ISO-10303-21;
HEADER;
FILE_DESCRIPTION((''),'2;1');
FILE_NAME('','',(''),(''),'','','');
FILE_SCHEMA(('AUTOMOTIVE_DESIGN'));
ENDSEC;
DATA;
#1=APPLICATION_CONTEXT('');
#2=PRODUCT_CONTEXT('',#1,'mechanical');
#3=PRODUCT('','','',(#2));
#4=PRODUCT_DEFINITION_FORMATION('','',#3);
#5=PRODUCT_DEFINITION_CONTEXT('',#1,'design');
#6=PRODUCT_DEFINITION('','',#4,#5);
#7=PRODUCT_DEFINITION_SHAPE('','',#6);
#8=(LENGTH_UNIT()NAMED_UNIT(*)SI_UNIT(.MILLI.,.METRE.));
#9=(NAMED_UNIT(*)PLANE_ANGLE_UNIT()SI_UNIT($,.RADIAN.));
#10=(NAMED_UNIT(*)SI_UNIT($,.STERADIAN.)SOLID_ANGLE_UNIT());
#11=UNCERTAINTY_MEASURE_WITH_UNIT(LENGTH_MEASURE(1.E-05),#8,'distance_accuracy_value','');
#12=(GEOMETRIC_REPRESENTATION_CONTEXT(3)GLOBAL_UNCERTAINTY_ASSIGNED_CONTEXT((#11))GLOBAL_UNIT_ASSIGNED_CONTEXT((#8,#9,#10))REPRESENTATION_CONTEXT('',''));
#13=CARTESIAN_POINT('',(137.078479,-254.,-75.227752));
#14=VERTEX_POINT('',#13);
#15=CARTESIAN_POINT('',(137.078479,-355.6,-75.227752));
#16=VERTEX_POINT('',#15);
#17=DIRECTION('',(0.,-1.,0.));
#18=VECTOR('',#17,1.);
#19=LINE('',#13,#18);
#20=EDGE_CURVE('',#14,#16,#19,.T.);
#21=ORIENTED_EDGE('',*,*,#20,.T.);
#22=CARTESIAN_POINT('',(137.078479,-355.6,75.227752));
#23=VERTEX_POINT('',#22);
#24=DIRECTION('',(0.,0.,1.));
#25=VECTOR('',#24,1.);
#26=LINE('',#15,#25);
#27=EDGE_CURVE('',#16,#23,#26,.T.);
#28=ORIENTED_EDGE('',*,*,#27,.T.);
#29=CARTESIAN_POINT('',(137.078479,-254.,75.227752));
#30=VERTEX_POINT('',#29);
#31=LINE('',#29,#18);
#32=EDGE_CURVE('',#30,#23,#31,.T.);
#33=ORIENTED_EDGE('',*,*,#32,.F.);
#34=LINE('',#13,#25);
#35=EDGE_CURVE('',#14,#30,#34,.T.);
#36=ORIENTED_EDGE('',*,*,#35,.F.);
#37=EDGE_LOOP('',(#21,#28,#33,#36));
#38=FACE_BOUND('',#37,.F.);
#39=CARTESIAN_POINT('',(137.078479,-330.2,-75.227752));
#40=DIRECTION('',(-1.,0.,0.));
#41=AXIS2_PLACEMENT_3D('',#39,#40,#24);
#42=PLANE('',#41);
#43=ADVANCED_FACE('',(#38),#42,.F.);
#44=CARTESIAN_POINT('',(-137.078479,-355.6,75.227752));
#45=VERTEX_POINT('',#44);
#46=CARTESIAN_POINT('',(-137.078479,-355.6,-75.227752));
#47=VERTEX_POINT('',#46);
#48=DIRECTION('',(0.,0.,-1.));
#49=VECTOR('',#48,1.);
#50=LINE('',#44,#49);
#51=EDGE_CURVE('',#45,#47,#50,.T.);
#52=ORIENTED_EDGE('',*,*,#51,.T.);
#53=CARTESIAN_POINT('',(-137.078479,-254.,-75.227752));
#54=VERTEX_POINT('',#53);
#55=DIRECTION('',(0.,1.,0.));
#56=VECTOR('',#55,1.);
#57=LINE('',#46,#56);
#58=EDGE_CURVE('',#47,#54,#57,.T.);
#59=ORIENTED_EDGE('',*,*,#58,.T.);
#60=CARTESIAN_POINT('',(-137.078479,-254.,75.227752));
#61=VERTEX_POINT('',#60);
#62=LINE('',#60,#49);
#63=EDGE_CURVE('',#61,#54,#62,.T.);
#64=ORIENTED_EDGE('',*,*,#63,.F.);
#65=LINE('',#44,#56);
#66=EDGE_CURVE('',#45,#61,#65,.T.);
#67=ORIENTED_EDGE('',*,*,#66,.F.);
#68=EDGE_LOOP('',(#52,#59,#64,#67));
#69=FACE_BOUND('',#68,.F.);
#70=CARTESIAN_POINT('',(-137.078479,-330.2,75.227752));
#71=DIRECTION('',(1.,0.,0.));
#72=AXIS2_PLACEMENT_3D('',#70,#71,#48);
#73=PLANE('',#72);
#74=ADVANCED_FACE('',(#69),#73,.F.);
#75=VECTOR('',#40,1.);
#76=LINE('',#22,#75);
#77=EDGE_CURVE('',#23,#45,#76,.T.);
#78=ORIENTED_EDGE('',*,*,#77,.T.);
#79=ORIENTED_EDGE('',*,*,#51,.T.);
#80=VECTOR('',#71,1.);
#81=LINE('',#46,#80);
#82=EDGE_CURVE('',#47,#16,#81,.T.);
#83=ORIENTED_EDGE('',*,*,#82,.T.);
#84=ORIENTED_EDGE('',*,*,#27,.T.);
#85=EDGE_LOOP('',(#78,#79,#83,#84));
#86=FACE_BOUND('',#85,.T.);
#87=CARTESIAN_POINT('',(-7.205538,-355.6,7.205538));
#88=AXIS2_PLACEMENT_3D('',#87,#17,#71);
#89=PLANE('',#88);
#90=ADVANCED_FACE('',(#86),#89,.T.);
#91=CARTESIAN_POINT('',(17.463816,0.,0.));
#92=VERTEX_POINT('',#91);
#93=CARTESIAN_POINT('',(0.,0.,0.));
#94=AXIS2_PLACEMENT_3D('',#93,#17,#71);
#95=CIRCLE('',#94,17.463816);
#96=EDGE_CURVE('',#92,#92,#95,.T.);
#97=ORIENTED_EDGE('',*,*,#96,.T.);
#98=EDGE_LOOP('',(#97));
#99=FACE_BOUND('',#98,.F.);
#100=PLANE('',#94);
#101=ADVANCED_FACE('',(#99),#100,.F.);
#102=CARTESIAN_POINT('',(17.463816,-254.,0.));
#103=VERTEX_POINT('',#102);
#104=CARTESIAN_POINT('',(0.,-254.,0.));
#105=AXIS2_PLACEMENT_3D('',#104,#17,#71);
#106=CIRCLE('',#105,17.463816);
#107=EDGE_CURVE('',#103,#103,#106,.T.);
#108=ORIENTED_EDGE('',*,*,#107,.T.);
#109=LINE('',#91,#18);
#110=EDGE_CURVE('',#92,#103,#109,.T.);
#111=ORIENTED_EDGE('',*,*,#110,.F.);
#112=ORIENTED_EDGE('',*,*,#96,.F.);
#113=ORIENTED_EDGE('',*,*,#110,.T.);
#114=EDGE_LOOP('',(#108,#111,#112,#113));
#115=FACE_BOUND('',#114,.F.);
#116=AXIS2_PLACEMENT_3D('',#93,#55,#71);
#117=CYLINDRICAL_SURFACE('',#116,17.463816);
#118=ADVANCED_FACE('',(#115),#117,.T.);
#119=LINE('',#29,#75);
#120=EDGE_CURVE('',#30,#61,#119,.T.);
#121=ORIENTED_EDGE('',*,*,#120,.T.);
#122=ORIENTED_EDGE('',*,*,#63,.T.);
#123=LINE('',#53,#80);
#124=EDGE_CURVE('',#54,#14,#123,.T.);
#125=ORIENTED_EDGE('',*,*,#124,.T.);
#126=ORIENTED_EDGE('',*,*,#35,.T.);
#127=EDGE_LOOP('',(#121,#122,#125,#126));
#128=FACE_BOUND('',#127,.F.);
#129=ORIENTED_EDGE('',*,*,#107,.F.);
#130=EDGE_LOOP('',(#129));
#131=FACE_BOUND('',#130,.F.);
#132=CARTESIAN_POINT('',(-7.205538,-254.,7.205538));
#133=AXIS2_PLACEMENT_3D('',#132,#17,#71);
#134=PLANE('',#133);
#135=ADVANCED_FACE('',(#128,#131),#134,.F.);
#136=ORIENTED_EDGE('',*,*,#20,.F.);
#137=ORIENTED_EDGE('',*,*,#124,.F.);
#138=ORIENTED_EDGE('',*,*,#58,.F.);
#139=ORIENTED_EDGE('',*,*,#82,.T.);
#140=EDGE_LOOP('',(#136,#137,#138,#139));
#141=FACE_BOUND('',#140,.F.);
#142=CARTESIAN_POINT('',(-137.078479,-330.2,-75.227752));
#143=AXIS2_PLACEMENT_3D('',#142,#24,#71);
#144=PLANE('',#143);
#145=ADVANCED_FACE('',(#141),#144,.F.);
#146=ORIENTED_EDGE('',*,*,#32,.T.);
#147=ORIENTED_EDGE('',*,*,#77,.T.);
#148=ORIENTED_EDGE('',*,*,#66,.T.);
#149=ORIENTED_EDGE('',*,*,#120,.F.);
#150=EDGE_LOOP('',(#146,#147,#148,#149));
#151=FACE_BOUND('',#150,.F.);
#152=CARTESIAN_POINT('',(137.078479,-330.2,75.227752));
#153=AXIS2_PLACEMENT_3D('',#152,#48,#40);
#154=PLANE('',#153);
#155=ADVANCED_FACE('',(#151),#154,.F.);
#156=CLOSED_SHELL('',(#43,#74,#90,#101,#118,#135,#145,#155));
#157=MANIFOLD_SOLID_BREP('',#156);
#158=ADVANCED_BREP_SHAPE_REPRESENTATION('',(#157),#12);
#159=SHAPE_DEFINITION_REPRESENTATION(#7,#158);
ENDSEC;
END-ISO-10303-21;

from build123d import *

# Parameters (mm, degrees)
F0_R     = 17.4638157323
F1_DEPTH = 254
F3_DEPTH = 76.2
F4_DEPTH = 25.4


with BuildPart() as f1:
    # F0 (on Front) → F1 (new body)
    with BuildSketch(Plane.XZ):
        Circle(F0_R)
    extrude(amount=F1_DEPTH)

    # F2 (on face) → F3 (join)
    with BuildSketch(Plane.XZ.offset(254)):
        with BuildLine():
            Line((-17.4638157323, 0), (0, 0))
            Line((0, 0), (0, 17.4638157323))
            ThreePointArc((0, 17.4638157323), (-12.3487825297, 12.3487825297), (-17.4638157323, 0))
        make_face()
        with BuildLine():
            Line((0, -17.4638157323), (0, 0))
            Line((0, 0), (-17.4638157323, 0))
            ThreePointArc((-17.4638157323, 0), (-12.3487825297, -12.3487825297), (0, -17.4638157323))
        make_face()
        with BuildLine():
            ThreePointArc((0, -17.4638157323), (-12.3487825297, -12.3487825297), (-17.4638157323, 0))
            Line((-17.4638157323, 0), (-137.0784789324, 0))
            Line((-137.0784789324, 0), (-137.0784789324, -75.2277523279))
            Line((-137.0784789324, -75.2277523279), (0, -75.2277523279))
            Line((0, -75.2277523279), (0, -17.4638157323))
        make_face()
        with BuildLine():
            Line((0, 17.4638157323), (0, 0))
            Line((0, 0), (17.4638157323, 0))
            ThreePointArc((17.4638157323, 0), (12.3487825297, 12.3487825297), (0, 17.4638157323))
        make_face()
        with BuildLine():
            Line((0, 75.2277523279), (0, 17.4638157323))
            ThreePointArc((0, 17.4638157323), (12.3487825297, 12.3487825297), (17.4638157323, 0))
            Line((17.4638157323, 0), (137.0784789324, 0))
            Line((137.0784789324, 0), (137.0784789324, 75.2277523279))
            Line((137.0784789324, 75.2277523279), (0, 75.2277523279))
        make_face()
        with BuildLine():
            Line((137.0784789324, 0), (17.4638157323, 0))
            ThreePointArc((17.4638157323, 0), (12.3487825297, -12.3487825297), (0, -17.4638157323))
            Line((0, -17.4638157323), (0, -75.2277523279))
            Line((0, -75.2277523279), (137.0784789324, -75.2277523279))
            Line((137.0784789324, -75.2277523279), (137.0784789324, 0))
        make_face()
        with BuildLine():
            Line((17.4638157323, 0), (0, 0))
            Line((0, 0), (0, -17.4638157323))
            ThreePointArc((0, -17.4638157323), (12.3487825297, -12.3487825297), (17.4638157323, 0))
        make_face()
        with BuildLine():
            Line((-137.0784789324, 0), (-17.4638157323, 0))
            ThreePointArc((-17.4638157323, 0), (-12.3487825297, 12.3487825297), (0, 17.4638157323))
            Line((0, 17.4638157323), (0, 75.2277523279))
            Line((0, 75.2277523279), (-137.0784789324, 75.2277523279))
            Line((-137.0784789324, 75.2277523279), (-137.0784789324, 0))
        make_face()
    extrude(amount=F3_DEPTH)

    # F4 (add): a face of the model
    f4_faces = [f1.faces().sort_by_distance(p)[0] for p in [
        (0, -330.2, 0),
    ]]
    extrude(f4_faces, amount=F4_DEPTH)


solid = f1.part
